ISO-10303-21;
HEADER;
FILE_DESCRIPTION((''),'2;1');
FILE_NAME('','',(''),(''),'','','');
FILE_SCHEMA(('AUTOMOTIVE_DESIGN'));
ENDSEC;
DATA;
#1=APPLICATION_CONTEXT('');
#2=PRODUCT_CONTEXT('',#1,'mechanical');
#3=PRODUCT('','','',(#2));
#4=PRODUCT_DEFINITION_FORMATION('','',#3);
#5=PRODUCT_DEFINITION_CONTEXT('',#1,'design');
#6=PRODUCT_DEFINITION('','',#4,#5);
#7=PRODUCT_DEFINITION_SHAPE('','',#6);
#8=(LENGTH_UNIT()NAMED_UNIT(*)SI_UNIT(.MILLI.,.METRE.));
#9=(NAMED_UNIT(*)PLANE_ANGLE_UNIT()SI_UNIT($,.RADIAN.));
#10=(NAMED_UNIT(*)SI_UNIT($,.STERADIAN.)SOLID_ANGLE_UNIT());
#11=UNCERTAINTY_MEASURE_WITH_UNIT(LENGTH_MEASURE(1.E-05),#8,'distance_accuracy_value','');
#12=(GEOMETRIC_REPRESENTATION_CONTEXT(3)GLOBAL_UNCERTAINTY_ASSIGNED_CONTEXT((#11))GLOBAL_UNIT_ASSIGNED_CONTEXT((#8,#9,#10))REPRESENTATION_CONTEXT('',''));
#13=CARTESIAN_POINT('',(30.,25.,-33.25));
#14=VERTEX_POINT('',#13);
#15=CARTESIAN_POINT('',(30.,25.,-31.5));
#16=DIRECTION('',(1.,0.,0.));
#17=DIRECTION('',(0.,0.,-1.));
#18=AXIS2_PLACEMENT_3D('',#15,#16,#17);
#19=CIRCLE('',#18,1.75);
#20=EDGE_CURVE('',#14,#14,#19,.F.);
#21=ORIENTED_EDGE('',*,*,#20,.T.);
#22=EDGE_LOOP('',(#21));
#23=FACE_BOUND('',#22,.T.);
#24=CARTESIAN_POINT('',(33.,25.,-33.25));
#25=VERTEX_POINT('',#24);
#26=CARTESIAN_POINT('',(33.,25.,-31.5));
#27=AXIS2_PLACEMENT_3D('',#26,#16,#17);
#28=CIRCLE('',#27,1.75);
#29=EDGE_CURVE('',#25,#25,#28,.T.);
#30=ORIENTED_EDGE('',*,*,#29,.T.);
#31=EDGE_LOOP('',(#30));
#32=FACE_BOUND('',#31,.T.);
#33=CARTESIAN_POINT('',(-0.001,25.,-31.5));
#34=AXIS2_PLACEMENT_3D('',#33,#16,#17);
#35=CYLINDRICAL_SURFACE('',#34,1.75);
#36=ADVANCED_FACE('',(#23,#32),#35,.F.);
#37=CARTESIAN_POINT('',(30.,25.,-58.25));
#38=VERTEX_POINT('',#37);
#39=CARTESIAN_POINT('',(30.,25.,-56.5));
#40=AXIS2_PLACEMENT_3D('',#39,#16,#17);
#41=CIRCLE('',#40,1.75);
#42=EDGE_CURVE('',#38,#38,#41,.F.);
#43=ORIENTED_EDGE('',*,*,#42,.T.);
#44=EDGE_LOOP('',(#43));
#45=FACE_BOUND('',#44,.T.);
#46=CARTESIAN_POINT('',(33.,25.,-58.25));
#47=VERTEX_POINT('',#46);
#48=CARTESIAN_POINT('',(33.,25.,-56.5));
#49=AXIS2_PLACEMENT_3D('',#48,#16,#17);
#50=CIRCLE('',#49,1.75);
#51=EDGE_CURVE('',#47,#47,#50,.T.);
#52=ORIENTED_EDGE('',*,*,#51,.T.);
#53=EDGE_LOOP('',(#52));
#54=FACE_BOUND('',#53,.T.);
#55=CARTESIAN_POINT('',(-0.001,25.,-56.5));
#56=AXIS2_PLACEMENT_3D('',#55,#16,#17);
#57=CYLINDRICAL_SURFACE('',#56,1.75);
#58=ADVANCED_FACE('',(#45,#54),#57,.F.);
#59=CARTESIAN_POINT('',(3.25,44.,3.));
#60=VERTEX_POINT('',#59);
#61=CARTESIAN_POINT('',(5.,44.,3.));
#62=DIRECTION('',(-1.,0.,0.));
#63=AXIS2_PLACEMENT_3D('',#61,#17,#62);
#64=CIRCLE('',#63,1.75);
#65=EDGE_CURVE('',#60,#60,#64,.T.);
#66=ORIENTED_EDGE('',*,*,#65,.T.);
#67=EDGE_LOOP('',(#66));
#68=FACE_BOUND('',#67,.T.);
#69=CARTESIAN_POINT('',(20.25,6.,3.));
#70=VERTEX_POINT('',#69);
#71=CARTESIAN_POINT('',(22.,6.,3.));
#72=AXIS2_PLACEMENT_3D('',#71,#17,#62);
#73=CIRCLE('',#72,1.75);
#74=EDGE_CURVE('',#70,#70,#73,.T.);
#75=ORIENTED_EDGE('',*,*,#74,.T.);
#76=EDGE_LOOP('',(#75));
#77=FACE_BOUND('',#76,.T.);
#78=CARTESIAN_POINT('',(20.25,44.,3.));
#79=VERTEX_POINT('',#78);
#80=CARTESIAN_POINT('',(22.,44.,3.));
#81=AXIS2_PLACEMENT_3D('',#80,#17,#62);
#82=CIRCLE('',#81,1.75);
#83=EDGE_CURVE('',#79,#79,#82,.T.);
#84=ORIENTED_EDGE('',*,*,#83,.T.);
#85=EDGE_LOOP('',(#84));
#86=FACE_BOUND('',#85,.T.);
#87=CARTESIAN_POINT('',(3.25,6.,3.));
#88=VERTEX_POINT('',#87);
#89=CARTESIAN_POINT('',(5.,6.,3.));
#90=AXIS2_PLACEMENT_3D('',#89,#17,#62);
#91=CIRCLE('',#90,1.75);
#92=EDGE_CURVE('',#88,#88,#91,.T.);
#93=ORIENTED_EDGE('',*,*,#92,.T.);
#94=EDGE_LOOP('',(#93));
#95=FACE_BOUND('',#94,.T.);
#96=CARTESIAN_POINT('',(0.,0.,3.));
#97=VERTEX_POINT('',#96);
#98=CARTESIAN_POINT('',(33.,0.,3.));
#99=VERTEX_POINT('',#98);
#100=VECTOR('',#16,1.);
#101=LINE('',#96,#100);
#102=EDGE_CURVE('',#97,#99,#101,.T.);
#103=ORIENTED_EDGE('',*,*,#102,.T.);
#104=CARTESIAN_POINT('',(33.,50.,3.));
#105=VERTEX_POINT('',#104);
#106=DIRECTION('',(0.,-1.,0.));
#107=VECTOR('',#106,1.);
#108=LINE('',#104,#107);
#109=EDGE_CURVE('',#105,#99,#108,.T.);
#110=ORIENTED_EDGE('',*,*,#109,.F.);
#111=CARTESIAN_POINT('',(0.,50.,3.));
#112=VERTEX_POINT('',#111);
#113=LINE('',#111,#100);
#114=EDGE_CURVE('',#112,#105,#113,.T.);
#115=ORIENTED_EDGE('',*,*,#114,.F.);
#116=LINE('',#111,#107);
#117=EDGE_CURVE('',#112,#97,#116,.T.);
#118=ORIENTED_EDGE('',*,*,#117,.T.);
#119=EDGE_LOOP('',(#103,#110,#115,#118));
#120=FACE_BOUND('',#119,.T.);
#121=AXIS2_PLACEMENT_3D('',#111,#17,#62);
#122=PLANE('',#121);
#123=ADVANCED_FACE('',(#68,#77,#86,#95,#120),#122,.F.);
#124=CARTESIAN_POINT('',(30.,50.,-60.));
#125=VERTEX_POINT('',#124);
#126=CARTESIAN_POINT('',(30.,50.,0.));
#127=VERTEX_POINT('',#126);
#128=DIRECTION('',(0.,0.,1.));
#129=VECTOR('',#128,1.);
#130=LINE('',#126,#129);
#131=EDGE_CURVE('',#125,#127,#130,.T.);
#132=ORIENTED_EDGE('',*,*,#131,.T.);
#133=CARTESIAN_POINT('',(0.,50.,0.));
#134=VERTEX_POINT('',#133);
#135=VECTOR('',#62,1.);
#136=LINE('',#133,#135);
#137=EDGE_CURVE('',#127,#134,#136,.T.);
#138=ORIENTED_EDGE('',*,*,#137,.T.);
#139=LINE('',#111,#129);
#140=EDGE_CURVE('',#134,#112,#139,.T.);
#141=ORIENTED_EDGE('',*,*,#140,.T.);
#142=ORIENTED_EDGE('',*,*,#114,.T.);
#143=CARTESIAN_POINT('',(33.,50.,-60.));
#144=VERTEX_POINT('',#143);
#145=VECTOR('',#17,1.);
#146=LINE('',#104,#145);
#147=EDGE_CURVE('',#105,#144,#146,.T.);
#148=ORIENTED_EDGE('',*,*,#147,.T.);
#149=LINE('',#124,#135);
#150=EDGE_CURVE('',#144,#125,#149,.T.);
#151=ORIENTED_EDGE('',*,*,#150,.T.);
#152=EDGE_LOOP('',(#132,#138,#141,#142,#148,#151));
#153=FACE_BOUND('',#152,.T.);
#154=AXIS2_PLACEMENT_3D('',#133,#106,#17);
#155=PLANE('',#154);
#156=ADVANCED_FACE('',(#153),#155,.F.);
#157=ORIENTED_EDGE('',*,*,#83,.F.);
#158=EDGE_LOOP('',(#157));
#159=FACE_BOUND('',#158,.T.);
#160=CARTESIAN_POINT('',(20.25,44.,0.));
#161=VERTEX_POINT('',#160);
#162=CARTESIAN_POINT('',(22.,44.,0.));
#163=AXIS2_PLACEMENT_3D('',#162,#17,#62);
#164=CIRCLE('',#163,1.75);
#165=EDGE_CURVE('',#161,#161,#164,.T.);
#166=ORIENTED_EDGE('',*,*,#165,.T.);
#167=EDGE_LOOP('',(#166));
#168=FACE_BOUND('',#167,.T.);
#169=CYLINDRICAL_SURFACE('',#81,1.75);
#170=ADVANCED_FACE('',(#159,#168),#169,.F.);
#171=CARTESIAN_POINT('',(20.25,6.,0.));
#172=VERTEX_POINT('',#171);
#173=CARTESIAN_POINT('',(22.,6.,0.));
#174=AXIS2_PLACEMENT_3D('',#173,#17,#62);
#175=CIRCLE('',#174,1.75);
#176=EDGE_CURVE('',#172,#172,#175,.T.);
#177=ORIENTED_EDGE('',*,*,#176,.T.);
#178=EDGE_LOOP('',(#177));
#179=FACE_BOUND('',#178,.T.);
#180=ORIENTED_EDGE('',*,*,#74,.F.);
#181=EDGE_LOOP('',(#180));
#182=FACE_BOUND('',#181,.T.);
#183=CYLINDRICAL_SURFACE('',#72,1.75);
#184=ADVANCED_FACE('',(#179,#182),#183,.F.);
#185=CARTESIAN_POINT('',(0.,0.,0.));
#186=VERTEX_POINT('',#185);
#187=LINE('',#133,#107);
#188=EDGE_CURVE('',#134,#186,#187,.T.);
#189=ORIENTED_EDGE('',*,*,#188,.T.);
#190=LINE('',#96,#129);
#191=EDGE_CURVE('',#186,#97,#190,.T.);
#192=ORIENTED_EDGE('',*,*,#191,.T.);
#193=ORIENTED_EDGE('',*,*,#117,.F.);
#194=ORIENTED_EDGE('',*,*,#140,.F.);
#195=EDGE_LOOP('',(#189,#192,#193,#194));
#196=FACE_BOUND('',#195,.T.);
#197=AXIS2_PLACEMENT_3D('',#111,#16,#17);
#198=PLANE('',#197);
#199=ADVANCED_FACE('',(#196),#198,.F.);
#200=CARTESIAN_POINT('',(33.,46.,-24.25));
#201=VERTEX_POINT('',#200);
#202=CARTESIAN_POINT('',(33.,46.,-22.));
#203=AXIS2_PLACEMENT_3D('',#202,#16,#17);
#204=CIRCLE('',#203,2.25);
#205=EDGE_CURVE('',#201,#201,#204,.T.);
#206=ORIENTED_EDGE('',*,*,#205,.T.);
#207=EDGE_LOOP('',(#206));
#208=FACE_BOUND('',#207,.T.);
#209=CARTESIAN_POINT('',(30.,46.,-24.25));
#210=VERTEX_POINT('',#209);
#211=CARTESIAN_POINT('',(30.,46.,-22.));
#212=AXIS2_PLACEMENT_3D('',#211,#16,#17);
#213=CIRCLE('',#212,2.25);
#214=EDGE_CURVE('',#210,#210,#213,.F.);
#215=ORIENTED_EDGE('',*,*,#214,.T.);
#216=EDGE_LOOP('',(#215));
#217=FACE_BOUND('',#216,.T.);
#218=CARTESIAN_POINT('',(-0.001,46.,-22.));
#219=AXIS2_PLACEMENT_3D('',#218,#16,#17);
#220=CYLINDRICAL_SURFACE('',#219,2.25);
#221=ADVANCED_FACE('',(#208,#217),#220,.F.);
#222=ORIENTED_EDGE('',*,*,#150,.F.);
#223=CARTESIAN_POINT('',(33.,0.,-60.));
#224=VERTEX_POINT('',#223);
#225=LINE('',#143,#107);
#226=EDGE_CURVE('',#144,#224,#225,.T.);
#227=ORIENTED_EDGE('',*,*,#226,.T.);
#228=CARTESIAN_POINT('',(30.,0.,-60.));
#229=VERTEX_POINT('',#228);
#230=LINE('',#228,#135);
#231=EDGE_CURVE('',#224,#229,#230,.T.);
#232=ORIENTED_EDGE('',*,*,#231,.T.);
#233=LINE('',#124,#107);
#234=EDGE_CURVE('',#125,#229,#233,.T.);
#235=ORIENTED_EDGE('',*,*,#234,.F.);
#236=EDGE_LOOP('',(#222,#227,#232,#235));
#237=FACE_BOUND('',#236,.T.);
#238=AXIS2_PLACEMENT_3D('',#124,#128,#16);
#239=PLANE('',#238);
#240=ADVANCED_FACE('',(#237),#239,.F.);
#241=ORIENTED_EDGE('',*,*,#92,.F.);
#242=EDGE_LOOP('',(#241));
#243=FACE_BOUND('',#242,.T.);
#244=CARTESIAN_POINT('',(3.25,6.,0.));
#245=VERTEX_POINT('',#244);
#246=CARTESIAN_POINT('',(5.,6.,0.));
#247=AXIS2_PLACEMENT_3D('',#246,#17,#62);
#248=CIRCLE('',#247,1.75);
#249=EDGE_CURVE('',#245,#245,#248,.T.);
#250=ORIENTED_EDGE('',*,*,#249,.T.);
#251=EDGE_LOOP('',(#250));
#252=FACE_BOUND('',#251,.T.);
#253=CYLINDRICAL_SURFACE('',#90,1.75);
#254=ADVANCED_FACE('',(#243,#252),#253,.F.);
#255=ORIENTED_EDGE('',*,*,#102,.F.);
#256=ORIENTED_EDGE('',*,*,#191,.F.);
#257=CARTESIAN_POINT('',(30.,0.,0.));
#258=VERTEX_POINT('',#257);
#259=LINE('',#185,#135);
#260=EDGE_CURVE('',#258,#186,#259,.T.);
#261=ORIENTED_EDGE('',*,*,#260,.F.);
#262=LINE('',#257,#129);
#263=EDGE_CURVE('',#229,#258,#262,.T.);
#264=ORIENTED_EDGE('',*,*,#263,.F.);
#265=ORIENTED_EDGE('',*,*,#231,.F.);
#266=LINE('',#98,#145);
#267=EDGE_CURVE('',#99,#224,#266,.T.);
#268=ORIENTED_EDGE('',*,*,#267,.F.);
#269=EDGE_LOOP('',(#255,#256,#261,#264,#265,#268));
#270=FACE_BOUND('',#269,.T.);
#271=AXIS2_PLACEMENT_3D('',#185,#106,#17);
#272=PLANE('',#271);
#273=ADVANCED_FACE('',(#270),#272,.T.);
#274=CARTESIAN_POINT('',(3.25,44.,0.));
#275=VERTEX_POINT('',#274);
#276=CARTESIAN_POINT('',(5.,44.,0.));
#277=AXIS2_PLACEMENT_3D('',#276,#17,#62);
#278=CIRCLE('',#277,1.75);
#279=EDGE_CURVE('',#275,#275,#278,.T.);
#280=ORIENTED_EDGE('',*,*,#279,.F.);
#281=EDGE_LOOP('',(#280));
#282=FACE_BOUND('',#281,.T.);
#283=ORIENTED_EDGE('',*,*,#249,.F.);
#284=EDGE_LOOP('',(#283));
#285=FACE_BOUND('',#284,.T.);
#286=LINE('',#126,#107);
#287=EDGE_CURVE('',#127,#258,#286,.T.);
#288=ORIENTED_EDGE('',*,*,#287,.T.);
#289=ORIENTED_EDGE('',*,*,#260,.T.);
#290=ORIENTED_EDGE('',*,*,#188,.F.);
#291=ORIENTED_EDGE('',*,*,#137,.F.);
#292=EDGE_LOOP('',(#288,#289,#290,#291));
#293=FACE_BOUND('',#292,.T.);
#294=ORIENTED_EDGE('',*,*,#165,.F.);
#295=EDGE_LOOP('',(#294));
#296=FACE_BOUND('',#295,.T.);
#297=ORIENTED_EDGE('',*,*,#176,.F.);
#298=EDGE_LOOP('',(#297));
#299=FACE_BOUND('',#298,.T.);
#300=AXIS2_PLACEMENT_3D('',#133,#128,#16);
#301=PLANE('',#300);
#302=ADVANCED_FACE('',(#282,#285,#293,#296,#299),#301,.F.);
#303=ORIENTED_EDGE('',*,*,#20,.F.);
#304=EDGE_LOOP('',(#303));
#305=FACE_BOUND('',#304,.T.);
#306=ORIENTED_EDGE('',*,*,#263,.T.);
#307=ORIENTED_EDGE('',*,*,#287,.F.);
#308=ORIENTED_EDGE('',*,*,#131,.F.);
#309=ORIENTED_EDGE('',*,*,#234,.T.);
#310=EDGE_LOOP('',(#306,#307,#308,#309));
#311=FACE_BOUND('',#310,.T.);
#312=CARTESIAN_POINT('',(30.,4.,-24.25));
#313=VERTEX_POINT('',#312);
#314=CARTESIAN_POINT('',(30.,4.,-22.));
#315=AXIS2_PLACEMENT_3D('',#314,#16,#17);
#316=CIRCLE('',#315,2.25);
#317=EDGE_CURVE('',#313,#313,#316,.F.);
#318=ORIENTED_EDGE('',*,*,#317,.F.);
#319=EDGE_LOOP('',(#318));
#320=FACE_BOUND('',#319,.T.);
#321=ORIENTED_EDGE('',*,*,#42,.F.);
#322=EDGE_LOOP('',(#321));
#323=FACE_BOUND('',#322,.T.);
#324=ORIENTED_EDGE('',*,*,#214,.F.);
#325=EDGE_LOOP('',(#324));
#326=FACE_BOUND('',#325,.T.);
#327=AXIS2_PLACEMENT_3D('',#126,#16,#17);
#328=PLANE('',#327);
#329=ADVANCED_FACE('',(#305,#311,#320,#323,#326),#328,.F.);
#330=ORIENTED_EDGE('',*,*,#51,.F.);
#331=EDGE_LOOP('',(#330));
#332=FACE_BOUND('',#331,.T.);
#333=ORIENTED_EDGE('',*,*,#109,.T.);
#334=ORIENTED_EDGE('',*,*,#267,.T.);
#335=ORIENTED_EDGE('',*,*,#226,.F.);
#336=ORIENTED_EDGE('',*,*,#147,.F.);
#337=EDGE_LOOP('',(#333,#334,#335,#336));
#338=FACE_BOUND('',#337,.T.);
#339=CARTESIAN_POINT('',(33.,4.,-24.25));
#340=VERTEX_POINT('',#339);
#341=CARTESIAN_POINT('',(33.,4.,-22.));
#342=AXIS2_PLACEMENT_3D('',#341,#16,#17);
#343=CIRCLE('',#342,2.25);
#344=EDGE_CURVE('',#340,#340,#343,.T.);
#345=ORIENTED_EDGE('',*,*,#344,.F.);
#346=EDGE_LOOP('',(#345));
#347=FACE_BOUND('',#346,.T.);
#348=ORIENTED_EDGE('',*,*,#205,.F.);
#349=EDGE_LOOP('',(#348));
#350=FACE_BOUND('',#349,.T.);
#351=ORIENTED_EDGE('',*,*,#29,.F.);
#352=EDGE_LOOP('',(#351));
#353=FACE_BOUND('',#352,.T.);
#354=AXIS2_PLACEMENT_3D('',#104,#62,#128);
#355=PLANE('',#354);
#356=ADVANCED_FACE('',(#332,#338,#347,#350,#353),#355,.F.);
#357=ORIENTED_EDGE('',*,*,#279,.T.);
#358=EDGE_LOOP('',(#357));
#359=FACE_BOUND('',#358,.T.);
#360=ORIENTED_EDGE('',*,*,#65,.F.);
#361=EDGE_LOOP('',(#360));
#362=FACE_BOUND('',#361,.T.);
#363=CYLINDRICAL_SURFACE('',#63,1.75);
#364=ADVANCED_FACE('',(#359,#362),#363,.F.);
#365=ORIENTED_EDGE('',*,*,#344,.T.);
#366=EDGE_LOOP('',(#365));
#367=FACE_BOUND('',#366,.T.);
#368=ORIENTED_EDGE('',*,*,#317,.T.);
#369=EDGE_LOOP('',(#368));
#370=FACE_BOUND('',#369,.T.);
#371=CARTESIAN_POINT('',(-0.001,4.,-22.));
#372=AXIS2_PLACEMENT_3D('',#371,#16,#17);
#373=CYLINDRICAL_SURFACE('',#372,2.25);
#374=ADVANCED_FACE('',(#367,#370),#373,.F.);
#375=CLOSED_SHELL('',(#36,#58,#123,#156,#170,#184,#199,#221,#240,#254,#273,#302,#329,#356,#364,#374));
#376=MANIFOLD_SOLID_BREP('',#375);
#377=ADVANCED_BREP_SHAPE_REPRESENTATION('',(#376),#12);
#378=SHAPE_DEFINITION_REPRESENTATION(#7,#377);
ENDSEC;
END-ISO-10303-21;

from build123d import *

# Parameters (mm, degrees)
EXTRUDE_1_DEPTH     = 50
SKETCH_2_R          = 1.75
CUT_EXTRUDE_1_DEPTH = 85.787970845
CUT_EXTRUDE_3_REACH = 86.788
SKETCH_4_R          = 1.75
SKETCH_4_R_2        = 2.25


with BuildPart() as part:
    # 草图1 → 凸台-拉伸1 (new body)
    with BuildSketch(Plane(origin=(0, 0, 0), x_dir=(1, 0, 0), z_dir=(0, 1, 0))):
        Polygon((0, 0), (30, 0), (30, 60), (33, 60), (33, -3), (0, -3), align=None)
    extrude(amount=EXTRUDE_1_DEPTH)

    # 草图2 → 切除-拉伸1 (cut, through all)
    with BuildSketch(Plane(origin=(0, 0, 0), x_dir=(-1, 0, 0), z_dir=(0, 0, -1))):
        with Locations((-22, 6)):
            Circle(SKETCH_2_R)
        with Locations((-22, 44)):
            Circle(SKETCH_2_R)
        with Locations((-5, 44)):
            Circle(SKETCH_2_R)
        with Locations((-5, 6)):
            Circle(SKETCH_2_R)
    extrude(amount=-CUT_EXTRUDE_1_DEPTH, mode=Mode.SUBTRACT)

    # 草图4 → 切除-拉伸3 (cut, up to next)
    with BuildSketch(Plane(origin=(33, 0, 0), x_dir=(0, 0, -1), z_dir=(1, 0, 0)), mode=Mode.PRIVATE) as cut_extrude_3_sk1:
        with Locations((56.5, 25)):
            Circle(SKETCH_4_R)
    cut_extrude_3_tool1 = extrude(cut_extrude_3_sk1.sketch, amount=-CUT_EXTRUDE_3_REACH, mode=Mode.PRIVATE) & part.part
    # 草图4 → 切除-拉伸3 (cut, up to next)
    with BuildSketch(Plane(origin=(33, 0, 0), x_dir=(0, 0, -1), z_dir=(1, 0, 0)), mode=Mode.PRIVATE) as cut_extrude_3_sk2:
        with Locations((31.5, 25)):
            Circle(SKETCH_4_R)
    cut_extrude_3_tool2 = extrude(cut_extrude_3_sk2.sketch, amount=-CUT_EXTRUDE_3_REACH, mode=Mode.PRIVATE) & part.part
    # 草图4 → 切除-拉伸3 (cut, up to next)
    with BuildSketch(Plane(origin=(33, 0, 0), x_dir=(0, 0, -1), z_dir=(1, 0, 0)), mode=Mode.PRIVATE) as cut_extrude_3_sk3:
        with Locations((22, 46)):
            Circle(SKETCH_4_R_2)
    cut_extrude_3_tool3 = extrude(cut_extrude_3_sk3.sketch, amount=-CUT_EXTRUDE_3_REACH, mode=Mode.PRIVATE) & part.part
    # 草图4 → 切除-拉伸3 (cut, up to next)
    with BuildSketch(Plane(origin=(33, 0, 0), x_dir=(0, 0, -1), z_dir=(1, 0, 0)), mode=Mode.PRIVATE) as cut_extrude_3_sk4:
        with Locations((22, 4)):
            Circle(SKETCH_4_R_2)
    cut_extrude_3_tool4 = extrude(cut_extrude_3_sk4.sketch, amount=-CUT_EXTRUDE_3_REACH, mode=Mode.PRIVATE) & part.part
    add(cut_extrude_3_tool1.solids().sort_by_distance((33, 25, -56.5))[0], mode=Mode.SUBTRACT)
    add(cut_extrude_3_tool2.solids().sort_by_distance((33, 25, -31.5))[0], mode=Mode.SUBTRACT)
    add(cut_extrude_3_tool3.solids().sort_by_distance((33, 46, -22))[0], mode=Mode.SUBTRACT)
    add(cut_extrude_3_tool4.solids().sort_by_distance((33, 4, -22))[0], mode=Mode.SUBTRACT)


solid = part.part
